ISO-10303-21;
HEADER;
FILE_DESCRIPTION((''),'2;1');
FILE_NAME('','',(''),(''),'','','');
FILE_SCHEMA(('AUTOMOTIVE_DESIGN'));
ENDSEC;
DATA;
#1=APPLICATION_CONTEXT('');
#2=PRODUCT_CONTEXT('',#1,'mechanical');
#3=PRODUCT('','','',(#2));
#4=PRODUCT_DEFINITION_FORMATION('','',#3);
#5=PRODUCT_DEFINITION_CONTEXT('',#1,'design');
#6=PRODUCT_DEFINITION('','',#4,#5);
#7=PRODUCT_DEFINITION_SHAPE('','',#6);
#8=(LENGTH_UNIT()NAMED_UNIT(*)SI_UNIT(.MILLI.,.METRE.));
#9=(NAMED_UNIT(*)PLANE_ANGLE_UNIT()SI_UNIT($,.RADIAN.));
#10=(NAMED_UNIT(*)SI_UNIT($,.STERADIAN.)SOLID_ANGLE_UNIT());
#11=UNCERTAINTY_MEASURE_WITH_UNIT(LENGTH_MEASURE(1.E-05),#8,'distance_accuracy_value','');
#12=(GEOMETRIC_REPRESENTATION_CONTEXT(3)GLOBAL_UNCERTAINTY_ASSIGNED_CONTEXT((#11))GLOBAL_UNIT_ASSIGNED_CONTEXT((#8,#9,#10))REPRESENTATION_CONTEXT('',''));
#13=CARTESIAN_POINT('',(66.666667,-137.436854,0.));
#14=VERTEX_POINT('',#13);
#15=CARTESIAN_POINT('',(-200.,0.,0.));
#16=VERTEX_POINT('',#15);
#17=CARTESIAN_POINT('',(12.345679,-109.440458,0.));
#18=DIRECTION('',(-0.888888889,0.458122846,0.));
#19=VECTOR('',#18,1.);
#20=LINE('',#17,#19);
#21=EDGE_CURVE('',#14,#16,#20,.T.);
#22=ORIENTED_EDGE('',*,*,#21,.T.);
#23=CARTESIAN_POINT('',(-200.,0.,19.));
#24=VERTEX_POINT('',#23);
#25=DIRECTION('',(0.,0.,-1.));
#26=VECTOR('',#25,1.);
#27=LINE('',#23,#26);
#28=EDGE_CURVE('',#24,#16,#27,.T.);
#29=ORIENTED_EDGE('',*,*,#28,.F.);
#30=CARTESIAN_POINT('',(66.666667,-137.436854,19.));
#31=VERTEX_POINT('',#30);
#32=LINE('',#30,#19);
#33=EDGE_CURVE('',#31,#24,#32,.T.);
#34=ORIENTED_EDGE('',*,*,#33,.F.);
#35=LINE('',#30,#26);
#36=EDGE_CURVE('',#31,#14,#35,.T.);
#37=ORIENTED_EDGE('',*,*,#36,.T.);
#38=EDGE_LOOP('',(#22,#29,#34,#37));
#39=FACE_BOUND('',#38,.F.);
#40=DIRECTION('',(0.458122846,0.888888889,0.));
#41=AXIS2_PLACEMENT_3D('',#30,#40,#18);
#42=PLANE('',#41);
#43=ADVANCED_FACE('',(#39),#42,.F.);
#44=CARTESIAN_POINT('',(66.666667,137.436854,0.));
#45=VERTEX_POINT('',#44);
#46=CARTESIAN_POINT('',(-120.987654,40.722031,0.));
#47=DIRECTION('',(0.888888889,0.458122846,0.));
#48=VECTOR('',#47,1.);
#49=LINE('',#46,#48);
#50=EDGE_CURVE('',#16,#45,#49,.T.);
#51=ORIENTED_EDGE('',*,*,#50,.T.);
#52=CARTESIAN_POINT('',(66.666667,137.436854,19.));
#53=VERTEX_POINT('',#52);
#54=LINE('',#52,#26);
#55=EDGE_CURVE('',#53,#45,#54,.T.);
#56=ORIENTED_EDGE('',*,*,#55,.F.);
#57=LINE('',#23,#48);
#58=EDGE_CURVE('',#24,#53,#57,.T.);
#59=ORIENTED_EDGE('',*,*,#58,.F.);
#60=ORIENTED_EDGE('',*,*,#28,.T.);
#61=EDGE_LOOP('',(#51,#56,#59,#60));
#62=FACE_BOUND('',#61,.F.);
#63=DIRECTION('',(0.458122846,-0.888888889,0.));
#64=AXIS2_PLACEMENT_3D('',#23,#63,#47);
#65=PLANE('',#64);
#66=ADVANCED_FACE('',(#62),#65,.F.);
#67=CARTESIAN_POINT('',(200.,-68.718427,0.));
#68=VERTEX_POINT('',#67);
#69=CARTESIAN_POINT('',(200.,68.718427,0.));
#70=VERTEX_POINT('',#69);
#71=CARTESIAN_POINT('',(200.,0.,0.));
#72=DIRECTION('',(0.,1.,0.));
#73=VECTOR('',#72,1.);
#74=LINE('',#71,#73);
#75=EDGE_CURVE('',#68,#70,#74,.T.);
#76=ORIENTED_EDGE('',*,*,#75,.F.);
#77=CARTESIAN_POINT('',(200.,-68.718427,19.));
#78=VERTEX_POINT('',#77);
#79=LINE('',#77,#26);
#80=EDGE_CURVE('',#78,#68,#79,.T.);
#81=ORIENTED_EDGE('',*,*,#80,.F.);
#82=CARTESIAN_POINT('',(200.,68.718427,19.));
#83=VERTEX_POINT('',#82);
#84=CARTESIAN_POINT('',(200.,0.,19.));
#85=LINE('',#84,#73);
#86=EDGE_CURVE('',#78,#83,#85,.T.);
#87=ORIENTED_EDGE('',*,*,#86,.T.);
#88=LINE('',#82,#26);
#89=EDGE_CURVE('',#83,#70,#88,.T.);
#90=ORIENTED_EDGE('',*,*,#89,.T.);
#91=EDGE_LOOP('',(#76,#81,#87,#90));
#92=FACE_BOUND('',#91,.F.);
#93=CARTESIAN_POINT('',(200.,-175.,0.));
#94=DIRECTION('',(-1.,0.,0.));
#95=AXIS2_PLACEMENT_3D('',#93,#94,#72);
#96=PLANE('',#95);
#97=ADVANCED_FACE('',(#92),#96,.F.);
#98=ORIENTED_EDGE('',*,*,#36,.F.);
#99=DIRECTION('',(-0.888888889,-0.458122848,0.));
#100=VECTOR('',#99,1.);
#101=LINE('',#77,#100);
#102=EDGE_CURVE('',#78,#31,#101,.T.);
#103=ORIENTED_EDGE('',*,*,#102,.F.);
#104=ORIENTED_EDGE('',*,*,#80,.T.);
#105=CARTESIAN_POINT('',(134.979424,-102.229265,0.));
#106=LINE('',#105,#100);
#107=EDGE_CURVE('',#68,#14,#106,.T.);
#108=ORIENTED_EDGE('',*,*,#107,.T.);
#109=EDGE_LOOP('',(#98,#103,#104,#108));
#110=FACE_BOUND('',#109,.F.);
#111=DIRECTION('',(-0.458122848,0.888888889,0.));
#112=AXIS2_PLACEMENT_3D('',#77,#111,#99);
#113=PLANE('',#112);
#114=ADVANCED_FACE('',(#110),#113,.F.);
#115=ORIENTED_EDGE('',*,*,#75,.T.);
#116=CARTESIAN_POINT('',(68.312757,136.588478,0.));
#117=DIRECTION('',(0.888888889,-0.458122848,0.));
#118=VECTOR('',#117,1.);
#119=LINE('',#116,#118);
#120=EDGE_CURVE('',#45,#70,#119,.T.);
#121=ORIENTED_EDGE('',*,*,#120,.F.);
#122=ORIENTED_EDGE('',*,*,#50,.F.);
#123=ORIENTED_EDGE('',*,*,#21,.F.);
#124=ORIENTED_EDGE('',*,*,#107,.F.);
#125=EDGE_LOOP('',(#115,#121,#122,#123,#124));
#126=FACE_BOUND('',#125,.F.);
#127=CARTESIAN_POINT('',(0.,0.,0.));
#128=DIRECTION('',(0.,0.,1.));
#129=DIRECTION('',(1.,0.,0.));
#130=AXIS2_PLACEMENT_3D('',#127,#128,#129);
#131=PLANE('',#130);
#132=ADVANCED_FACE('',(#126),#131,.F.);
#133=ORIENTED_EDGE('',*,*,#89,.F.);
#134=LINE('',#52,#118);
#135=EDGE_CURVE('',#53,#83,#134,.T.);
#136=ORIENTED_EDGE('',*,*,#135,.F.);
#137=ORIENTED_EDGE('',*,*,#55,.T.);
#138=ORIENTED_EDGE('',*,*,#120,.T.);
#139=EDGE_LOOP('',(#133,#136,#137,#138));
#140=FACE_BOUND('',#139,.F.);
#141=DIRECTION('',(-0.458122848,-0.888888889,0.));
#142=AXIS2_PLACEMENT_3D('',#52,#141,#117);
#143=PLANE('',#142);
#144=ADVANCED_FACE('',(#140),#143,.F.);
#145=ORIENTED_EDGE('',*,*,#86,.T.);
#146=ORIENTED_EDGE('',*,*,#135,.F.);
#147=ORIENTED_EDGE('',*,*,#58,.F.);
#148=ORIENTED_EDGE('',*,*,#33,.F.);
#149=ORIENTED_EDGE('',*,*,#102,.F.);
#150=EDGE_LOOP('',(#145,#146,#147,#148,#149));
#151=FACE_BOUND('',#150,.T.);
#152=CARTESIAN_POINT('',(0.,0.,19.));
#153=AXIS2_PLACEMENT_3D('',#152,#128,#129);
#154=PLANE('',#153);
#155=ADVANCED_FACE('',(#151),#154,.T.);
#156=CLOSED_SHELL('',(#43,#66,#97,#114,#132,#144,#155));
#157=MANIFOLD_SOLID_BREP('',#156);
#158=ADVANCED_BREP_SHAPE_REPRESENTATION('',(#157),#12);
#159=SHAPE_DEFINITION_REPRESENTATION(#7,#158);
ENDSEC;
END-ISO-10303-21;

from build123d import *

# Parameters (mm, degrees)
F0_W     = 400
F0_H     = 350
F1_DEPTH = 19
F3_DEPTH = 19.001
F4_DEPTH = 19.001


with BuildPart() as f1:
    # F0 (on Top) → F1 (new body)
    with BuildSketch(Plane.XY):
        Rectangle(F0_W, F0_H)
    extrude(amount=F1_DEPTH)

    # F2 (on face) → F3 (cut, through all)
    with BuildSketch(Plane.XY.offset(19)):
        Polygon((66.666667, -137.436854), (-200, 0), (-200, -175), (200, -175), (200, -68.718427), align=None)
    extrude(amount=-F3_DEPTH, mode=Mode.SUBTRACT)

    # F2 (on face) → F4 (cut, through all)
    with BuildSketch(Plane.XY.offset(19)):
        Polygon((-200, 175), (-200, 0), (66.666667, 137.436854), (200, 68.718427), (200, 175), align=None)
    extrude(amount=-F4_DEPTH, mode=Mode.SUBTRACT)


solid = f1.part
